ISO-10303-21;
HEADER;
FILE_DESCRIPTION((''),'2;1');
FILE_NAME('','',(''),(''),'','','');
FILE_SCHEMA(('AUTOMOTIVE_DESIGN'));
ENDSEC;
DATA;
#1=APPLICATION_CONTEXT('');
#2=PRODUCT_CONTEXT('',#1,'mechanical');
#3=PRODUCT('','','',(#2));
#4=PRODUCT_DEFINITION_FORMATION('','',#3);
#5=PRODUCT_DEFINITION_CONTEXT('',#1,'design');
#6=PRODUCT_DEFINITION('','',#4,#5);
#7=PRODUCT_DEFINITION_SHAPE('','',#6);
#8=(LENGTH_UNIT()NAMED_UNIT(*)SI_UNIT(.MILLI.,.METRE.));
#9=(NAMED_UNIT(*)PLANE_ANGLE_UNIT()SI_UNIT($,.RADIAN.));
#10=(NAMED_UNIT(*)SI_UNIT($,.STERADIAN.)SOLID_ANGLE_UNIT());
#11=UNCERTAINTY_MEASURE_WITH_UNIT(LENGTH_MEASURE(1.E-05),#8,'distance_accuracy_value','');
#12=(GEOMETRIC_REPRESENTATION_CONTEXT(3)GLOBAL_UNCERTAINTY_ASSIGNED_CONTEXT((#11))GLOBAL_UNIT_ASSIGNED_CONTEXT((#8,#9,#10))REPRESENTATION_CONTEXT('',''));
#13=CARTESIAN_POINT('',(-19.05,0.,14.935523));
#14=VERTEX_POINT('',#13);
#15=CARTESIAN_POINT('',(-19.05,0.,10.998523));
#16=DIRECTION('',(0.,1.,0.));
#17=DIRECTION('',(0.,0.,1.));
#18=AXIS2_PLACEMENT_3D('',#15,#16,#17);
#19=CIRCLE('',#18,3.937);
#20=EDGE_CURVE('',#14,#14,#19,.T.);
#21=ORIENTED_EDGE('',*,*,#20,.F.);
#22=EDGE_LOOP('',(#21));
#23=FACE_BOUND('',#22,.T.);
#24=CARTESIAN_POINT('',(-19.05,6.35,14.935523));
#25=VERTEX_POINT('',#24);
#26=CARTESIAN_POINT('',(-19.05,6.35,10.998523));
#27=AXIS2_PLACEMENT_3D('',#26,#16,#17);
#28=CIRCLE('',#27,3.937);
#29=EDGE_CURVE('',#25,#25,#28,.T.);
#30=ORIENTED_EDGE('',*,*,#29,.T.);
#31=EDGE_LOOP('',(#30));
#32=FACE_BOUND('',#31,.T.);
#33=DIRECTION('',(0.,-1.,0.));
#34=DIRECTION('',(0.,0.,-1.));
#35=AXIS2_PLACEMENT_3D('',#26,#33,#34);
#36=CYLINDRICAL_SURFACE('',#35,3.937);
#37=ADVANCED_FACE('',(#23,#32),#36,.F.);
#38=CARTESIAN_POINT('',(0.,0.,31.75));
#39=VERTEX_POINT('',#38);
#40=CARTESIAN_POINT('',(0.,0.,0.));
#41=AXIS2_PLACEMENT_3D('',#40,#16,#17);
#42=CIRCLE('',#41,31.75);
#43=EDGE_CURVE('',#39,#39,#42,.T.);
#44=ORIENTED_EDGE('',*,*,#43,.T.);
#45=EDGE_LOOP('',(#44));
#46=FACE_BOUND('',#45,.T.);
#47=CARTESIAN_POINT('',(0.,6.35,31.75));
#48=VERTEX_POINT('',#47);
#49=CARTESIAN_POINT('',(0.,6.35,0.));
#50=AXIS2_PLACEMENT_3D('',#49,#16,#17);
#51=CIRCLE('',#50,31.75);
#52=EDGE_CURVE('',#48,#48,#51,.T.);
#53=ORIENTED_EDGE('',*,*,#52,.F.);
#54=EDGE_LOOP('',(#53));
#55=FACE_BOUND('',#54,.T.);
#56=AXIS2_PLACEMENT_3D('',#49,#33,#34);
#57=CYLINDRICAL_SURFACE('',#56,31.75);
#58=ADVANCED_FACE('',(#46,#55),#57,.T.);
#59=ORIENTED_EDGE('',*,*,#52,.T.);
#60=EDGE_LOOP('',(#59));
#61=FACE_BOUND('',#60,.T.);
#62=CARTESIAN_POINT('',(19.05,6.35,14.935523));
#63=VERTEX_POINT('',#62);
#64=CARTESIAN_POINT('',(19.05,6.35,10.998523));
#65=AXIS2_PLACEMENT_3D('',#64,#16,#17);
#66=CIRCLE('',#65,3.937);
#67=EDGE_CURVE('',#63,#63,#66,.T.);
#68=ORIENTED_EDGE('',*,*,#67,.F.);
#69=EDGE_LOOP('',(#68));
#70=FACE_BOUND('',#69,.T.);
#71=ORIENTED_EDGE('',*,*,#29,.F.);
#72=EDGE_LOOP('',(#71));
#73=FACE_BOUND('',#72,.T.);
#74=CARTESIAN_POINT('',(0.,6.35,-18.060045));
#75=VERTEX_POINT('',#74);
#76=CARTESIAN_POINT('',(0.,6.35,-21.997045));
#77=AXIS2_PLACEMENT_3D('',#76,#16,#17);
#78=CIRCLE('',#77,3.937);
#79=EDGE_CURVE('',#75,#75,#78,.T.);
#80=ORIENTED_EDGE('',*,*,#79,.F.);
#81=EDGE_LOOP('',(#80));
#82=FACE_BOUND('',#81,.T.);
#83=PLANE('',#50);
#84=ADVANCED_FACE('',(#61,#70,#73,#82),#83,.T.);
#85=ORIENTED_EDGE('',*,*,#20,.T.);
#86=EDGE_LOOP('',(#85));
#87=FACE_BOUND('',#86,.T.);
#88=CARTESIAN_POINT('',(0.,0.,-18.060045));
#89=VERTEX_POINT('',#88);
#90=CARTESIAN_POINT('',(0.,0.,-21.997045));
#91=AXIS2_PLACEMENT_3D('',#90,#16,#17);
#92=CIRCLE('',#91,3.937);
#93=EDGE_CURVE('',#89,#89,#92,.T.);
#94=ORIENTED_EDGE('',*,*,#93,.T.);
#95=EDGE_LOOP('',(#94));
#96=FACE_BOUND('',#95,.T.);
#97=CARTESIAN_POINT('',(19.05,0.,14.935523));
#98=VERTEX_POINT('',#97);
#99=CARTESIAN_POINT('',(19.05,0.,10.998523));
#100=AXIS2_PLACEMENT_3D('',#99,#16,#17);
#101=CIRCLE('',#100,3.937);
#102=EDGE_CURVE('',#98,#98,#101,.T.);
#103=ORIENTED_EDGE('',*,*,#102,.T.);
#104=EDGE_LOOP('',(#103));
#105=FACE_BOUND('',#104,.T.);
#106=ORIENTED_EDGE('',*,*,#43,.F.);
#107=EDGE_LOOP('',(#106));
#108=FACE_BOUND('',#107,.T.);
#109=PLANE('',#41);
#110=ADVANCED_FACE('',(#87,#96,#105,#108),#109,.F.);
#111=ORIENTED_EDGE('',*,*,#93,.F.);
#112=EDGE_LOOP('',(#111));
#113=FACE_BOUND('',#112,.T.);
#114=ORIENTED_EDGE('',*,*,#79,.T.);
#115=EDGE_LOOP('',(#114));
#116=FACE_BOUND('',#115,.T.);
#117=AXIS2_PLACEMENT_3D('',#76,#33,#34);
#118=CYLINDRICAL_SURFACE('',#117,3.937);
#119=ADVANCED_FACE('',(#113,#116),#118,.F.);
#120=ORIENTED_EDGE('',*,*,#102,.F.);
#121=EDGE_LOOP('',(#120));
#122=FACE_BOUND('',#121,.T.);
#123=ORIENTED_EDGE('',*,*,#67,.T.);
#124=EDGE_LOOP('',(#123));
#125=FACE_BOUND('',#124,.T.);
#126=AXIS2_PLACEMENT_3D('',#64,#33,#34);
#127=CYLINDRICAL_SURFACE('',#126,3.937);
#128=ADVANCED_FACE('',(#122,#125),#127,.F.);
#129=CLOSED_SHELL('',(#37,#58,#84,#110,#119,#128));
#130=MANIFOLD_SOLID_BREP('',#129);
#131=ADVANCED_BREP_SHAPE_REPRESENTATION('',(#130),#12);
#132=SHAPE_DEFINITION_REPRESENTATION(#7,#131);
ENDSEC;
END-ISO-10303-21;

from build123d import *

# Parameters (mm, degrees)
SKETCH1_R           = 31.75
SKETCH1_R_2         = 3.937
BOSS_EXTRUDE1_DEPTH = 6.35


with BuildPart() as part:
    # Sketch1 → Boss-Extrude1 (new body)
    with BuildSketch(Plane(origin=(0, 0, 0), x_dir=(1, 0, 0), z_dir=(0, 1, 0))):
        with Locations(Location((0, 0, 0), (0, 0, 270))):
            Circle(SKETCH1_R)
        with Locations(Location((0, 21.997045256, 0), (0, 0, 270))):
            Circle(SKETCH1_R_2, mode=Mode.SUBTRACT)
        with Locations(Location((19.05, -10.998522628, 0), (0, 0, 270))):
            Circle(SKETCH1_R_2, mode=Mode.SUBTRACT)
        with Locations(Location((-19.05, -10.998522628, 0), (0, 0, 270))):
            Circle(SKETCH1_R_2, mode=Mode.SUBTRACT)
    extrude(amount=BOSS_EXTRUDE1_DEPTH)


solid = part.part
